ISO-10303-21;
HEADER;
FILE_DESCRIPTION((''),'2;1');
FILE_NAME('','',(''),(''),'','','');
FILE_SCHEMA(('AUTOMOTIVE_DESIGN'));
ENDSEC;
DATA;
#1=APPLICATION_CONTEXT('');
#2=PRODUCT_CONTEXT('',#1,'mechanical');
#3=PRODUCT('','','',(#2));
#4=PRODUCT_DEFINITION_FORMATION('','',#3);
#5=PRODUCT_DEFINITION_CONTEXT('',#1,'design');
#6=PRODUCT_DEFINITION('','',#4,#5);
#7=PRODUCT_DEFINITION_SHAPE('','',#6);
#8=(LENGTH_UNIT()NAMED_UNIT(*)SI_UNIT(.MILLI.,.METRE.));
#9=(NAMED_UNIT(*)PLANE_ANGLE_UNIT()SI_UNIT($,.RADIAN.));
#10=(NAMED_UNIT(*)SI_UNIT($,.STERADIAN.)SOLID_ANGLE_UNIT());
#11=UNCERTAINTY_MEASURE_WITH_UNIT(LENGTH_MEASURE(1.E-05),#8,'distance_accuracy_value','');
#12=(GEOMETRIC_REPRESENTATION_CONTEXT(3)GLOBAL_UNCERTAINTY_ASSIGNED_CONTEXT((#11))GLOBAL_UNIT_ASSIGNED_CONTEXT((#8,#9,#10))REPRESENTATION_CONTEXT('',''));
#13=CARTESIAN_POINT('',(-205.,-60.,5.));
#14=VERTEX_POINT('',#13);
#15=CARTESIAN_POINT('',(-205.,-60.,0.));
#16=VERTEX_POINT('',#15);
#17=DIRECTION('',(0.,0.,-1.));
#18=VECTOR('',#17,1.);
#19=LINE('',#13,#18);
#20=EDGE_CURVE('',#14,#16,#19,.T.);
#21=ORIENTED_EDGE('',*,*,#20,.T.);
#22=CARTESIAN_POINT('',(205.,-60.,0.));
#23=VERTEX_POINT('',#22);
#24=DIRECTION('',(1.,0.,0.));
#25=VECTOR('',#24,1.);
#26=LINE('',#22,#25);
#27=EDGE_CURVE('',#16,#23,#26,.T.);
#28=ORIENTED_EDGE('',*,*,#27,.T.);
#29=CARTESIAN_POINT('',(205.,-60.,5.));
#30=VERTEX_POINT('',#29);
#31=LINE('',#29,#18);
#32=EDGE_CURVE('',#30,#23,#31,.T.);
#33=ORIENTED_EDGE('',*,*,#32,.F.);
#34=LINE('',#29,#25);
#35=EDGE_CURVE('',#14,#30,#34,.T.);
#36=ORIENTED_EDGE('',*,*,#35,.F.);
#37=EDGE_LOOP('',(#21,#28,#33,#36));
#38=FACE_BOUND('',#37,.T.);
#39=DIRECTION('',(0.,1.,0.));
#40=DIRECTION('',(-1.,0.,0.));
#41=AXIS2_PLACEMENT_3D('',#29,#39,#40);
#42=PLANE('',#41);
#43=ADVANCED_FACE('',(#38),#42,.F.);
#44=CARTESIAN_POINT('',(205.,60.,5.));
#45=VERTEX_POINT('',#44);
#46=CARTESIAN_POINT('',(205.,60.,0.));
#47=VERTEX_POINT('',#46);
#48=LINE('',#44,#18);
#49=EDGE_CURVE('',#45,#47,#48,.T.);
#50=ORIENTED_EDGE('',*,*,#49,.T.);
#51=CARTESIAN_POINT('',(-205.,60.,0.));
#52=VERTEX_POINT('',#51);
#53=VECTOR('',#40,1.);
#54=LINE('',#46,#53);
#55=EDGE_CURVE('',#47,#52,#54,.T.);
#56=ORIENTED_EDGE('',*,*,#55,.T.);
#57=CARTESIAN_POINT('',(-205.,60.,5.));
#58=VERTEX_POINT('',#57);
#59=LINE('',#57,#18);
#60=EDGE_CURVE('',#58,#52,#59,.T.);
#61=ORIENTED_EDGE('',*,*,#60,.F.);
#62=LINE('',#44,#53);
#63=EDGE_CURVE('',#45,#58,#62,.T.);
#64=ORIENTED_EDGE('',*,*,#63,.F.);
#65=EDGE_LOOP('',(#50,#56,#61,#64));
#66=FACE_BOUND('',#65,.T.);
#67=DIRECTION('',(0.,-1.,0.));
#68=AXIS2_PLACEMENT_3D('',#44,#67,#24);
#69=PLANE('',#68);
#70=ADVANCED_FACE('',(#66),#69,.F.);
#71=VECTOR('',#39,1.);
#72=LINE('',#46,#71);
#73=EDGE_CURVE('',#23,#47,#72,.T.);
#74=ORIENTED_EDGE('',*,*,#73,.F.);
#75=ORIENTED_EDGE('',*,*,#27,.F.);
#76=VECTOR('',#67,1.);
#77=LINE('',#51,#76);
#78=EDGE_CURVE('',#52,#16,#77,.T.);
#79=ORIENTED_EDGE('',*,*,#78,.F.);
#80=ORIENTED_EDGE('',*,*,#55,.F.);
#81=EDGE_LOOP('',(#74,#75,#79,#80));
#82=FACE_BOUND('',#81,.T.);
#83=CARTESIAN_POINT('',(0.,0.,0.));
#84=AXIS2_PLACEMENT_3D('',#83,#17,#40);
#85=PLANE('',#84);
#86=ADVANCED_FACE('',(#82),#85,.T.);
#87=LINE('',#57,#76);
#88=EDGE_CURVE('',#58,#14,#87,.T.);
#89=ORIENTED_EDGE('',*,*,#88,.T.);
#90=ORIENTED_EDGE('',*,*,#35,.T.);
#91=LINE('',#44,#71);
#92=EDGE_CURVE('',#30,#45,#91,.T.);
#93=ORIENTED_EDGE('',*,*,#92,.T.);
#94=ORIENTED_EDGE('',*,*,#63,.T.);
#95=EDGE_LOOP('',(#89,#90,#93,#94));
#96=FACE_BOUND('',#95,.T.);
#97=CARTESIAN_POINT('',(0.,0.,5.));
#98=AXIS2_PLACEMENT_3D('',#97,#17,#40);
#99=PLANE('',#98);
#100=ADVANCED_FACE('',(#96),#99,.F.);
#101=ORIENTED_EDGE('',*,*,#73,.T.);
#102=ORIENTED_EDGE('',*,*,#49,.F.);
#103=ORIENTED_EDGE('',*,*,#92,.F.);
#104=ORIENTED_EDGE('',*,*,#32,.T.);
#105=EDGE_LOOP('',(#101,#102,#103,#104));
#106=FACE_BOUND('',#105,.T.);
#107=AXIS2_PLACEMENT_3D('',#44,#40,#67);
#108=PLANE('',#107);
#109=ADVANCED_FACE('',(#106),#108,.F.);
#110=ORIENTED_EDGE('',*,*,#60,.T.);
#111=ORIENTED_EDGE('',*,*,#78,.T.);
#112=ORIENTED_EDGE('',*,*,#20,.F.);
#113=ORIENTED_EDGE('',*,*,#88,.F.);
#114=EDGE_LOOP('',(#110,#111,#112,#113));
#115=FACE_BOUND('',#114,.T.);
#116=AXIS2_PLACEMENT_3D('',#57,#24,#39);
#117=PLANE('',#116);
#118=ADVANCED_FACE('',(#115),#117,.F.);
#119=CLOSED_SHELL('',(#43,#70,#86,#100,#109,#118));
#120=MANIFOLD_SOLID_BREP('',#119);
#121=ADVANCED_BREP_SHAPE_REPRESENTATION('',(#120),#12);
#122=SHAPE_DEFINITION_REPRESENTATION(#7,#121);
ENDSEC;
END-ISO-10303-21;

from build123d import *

# Parameters (mm, degrees)
SKETCH_1_W      = 410
SKETCH_1_H      = 120
EXTRUDE_1_DEPTH = 5


with BuildPart() as part:
    # 스케치1 → 보스-돌출1 (new body)
    with BuildSketch(Plane.XY):
        Rectangle(SKETCH_1_W, SKETCH_1_H)
    extrude(amount=EXTRUDE_1_DEPTH)


solid = part.part
